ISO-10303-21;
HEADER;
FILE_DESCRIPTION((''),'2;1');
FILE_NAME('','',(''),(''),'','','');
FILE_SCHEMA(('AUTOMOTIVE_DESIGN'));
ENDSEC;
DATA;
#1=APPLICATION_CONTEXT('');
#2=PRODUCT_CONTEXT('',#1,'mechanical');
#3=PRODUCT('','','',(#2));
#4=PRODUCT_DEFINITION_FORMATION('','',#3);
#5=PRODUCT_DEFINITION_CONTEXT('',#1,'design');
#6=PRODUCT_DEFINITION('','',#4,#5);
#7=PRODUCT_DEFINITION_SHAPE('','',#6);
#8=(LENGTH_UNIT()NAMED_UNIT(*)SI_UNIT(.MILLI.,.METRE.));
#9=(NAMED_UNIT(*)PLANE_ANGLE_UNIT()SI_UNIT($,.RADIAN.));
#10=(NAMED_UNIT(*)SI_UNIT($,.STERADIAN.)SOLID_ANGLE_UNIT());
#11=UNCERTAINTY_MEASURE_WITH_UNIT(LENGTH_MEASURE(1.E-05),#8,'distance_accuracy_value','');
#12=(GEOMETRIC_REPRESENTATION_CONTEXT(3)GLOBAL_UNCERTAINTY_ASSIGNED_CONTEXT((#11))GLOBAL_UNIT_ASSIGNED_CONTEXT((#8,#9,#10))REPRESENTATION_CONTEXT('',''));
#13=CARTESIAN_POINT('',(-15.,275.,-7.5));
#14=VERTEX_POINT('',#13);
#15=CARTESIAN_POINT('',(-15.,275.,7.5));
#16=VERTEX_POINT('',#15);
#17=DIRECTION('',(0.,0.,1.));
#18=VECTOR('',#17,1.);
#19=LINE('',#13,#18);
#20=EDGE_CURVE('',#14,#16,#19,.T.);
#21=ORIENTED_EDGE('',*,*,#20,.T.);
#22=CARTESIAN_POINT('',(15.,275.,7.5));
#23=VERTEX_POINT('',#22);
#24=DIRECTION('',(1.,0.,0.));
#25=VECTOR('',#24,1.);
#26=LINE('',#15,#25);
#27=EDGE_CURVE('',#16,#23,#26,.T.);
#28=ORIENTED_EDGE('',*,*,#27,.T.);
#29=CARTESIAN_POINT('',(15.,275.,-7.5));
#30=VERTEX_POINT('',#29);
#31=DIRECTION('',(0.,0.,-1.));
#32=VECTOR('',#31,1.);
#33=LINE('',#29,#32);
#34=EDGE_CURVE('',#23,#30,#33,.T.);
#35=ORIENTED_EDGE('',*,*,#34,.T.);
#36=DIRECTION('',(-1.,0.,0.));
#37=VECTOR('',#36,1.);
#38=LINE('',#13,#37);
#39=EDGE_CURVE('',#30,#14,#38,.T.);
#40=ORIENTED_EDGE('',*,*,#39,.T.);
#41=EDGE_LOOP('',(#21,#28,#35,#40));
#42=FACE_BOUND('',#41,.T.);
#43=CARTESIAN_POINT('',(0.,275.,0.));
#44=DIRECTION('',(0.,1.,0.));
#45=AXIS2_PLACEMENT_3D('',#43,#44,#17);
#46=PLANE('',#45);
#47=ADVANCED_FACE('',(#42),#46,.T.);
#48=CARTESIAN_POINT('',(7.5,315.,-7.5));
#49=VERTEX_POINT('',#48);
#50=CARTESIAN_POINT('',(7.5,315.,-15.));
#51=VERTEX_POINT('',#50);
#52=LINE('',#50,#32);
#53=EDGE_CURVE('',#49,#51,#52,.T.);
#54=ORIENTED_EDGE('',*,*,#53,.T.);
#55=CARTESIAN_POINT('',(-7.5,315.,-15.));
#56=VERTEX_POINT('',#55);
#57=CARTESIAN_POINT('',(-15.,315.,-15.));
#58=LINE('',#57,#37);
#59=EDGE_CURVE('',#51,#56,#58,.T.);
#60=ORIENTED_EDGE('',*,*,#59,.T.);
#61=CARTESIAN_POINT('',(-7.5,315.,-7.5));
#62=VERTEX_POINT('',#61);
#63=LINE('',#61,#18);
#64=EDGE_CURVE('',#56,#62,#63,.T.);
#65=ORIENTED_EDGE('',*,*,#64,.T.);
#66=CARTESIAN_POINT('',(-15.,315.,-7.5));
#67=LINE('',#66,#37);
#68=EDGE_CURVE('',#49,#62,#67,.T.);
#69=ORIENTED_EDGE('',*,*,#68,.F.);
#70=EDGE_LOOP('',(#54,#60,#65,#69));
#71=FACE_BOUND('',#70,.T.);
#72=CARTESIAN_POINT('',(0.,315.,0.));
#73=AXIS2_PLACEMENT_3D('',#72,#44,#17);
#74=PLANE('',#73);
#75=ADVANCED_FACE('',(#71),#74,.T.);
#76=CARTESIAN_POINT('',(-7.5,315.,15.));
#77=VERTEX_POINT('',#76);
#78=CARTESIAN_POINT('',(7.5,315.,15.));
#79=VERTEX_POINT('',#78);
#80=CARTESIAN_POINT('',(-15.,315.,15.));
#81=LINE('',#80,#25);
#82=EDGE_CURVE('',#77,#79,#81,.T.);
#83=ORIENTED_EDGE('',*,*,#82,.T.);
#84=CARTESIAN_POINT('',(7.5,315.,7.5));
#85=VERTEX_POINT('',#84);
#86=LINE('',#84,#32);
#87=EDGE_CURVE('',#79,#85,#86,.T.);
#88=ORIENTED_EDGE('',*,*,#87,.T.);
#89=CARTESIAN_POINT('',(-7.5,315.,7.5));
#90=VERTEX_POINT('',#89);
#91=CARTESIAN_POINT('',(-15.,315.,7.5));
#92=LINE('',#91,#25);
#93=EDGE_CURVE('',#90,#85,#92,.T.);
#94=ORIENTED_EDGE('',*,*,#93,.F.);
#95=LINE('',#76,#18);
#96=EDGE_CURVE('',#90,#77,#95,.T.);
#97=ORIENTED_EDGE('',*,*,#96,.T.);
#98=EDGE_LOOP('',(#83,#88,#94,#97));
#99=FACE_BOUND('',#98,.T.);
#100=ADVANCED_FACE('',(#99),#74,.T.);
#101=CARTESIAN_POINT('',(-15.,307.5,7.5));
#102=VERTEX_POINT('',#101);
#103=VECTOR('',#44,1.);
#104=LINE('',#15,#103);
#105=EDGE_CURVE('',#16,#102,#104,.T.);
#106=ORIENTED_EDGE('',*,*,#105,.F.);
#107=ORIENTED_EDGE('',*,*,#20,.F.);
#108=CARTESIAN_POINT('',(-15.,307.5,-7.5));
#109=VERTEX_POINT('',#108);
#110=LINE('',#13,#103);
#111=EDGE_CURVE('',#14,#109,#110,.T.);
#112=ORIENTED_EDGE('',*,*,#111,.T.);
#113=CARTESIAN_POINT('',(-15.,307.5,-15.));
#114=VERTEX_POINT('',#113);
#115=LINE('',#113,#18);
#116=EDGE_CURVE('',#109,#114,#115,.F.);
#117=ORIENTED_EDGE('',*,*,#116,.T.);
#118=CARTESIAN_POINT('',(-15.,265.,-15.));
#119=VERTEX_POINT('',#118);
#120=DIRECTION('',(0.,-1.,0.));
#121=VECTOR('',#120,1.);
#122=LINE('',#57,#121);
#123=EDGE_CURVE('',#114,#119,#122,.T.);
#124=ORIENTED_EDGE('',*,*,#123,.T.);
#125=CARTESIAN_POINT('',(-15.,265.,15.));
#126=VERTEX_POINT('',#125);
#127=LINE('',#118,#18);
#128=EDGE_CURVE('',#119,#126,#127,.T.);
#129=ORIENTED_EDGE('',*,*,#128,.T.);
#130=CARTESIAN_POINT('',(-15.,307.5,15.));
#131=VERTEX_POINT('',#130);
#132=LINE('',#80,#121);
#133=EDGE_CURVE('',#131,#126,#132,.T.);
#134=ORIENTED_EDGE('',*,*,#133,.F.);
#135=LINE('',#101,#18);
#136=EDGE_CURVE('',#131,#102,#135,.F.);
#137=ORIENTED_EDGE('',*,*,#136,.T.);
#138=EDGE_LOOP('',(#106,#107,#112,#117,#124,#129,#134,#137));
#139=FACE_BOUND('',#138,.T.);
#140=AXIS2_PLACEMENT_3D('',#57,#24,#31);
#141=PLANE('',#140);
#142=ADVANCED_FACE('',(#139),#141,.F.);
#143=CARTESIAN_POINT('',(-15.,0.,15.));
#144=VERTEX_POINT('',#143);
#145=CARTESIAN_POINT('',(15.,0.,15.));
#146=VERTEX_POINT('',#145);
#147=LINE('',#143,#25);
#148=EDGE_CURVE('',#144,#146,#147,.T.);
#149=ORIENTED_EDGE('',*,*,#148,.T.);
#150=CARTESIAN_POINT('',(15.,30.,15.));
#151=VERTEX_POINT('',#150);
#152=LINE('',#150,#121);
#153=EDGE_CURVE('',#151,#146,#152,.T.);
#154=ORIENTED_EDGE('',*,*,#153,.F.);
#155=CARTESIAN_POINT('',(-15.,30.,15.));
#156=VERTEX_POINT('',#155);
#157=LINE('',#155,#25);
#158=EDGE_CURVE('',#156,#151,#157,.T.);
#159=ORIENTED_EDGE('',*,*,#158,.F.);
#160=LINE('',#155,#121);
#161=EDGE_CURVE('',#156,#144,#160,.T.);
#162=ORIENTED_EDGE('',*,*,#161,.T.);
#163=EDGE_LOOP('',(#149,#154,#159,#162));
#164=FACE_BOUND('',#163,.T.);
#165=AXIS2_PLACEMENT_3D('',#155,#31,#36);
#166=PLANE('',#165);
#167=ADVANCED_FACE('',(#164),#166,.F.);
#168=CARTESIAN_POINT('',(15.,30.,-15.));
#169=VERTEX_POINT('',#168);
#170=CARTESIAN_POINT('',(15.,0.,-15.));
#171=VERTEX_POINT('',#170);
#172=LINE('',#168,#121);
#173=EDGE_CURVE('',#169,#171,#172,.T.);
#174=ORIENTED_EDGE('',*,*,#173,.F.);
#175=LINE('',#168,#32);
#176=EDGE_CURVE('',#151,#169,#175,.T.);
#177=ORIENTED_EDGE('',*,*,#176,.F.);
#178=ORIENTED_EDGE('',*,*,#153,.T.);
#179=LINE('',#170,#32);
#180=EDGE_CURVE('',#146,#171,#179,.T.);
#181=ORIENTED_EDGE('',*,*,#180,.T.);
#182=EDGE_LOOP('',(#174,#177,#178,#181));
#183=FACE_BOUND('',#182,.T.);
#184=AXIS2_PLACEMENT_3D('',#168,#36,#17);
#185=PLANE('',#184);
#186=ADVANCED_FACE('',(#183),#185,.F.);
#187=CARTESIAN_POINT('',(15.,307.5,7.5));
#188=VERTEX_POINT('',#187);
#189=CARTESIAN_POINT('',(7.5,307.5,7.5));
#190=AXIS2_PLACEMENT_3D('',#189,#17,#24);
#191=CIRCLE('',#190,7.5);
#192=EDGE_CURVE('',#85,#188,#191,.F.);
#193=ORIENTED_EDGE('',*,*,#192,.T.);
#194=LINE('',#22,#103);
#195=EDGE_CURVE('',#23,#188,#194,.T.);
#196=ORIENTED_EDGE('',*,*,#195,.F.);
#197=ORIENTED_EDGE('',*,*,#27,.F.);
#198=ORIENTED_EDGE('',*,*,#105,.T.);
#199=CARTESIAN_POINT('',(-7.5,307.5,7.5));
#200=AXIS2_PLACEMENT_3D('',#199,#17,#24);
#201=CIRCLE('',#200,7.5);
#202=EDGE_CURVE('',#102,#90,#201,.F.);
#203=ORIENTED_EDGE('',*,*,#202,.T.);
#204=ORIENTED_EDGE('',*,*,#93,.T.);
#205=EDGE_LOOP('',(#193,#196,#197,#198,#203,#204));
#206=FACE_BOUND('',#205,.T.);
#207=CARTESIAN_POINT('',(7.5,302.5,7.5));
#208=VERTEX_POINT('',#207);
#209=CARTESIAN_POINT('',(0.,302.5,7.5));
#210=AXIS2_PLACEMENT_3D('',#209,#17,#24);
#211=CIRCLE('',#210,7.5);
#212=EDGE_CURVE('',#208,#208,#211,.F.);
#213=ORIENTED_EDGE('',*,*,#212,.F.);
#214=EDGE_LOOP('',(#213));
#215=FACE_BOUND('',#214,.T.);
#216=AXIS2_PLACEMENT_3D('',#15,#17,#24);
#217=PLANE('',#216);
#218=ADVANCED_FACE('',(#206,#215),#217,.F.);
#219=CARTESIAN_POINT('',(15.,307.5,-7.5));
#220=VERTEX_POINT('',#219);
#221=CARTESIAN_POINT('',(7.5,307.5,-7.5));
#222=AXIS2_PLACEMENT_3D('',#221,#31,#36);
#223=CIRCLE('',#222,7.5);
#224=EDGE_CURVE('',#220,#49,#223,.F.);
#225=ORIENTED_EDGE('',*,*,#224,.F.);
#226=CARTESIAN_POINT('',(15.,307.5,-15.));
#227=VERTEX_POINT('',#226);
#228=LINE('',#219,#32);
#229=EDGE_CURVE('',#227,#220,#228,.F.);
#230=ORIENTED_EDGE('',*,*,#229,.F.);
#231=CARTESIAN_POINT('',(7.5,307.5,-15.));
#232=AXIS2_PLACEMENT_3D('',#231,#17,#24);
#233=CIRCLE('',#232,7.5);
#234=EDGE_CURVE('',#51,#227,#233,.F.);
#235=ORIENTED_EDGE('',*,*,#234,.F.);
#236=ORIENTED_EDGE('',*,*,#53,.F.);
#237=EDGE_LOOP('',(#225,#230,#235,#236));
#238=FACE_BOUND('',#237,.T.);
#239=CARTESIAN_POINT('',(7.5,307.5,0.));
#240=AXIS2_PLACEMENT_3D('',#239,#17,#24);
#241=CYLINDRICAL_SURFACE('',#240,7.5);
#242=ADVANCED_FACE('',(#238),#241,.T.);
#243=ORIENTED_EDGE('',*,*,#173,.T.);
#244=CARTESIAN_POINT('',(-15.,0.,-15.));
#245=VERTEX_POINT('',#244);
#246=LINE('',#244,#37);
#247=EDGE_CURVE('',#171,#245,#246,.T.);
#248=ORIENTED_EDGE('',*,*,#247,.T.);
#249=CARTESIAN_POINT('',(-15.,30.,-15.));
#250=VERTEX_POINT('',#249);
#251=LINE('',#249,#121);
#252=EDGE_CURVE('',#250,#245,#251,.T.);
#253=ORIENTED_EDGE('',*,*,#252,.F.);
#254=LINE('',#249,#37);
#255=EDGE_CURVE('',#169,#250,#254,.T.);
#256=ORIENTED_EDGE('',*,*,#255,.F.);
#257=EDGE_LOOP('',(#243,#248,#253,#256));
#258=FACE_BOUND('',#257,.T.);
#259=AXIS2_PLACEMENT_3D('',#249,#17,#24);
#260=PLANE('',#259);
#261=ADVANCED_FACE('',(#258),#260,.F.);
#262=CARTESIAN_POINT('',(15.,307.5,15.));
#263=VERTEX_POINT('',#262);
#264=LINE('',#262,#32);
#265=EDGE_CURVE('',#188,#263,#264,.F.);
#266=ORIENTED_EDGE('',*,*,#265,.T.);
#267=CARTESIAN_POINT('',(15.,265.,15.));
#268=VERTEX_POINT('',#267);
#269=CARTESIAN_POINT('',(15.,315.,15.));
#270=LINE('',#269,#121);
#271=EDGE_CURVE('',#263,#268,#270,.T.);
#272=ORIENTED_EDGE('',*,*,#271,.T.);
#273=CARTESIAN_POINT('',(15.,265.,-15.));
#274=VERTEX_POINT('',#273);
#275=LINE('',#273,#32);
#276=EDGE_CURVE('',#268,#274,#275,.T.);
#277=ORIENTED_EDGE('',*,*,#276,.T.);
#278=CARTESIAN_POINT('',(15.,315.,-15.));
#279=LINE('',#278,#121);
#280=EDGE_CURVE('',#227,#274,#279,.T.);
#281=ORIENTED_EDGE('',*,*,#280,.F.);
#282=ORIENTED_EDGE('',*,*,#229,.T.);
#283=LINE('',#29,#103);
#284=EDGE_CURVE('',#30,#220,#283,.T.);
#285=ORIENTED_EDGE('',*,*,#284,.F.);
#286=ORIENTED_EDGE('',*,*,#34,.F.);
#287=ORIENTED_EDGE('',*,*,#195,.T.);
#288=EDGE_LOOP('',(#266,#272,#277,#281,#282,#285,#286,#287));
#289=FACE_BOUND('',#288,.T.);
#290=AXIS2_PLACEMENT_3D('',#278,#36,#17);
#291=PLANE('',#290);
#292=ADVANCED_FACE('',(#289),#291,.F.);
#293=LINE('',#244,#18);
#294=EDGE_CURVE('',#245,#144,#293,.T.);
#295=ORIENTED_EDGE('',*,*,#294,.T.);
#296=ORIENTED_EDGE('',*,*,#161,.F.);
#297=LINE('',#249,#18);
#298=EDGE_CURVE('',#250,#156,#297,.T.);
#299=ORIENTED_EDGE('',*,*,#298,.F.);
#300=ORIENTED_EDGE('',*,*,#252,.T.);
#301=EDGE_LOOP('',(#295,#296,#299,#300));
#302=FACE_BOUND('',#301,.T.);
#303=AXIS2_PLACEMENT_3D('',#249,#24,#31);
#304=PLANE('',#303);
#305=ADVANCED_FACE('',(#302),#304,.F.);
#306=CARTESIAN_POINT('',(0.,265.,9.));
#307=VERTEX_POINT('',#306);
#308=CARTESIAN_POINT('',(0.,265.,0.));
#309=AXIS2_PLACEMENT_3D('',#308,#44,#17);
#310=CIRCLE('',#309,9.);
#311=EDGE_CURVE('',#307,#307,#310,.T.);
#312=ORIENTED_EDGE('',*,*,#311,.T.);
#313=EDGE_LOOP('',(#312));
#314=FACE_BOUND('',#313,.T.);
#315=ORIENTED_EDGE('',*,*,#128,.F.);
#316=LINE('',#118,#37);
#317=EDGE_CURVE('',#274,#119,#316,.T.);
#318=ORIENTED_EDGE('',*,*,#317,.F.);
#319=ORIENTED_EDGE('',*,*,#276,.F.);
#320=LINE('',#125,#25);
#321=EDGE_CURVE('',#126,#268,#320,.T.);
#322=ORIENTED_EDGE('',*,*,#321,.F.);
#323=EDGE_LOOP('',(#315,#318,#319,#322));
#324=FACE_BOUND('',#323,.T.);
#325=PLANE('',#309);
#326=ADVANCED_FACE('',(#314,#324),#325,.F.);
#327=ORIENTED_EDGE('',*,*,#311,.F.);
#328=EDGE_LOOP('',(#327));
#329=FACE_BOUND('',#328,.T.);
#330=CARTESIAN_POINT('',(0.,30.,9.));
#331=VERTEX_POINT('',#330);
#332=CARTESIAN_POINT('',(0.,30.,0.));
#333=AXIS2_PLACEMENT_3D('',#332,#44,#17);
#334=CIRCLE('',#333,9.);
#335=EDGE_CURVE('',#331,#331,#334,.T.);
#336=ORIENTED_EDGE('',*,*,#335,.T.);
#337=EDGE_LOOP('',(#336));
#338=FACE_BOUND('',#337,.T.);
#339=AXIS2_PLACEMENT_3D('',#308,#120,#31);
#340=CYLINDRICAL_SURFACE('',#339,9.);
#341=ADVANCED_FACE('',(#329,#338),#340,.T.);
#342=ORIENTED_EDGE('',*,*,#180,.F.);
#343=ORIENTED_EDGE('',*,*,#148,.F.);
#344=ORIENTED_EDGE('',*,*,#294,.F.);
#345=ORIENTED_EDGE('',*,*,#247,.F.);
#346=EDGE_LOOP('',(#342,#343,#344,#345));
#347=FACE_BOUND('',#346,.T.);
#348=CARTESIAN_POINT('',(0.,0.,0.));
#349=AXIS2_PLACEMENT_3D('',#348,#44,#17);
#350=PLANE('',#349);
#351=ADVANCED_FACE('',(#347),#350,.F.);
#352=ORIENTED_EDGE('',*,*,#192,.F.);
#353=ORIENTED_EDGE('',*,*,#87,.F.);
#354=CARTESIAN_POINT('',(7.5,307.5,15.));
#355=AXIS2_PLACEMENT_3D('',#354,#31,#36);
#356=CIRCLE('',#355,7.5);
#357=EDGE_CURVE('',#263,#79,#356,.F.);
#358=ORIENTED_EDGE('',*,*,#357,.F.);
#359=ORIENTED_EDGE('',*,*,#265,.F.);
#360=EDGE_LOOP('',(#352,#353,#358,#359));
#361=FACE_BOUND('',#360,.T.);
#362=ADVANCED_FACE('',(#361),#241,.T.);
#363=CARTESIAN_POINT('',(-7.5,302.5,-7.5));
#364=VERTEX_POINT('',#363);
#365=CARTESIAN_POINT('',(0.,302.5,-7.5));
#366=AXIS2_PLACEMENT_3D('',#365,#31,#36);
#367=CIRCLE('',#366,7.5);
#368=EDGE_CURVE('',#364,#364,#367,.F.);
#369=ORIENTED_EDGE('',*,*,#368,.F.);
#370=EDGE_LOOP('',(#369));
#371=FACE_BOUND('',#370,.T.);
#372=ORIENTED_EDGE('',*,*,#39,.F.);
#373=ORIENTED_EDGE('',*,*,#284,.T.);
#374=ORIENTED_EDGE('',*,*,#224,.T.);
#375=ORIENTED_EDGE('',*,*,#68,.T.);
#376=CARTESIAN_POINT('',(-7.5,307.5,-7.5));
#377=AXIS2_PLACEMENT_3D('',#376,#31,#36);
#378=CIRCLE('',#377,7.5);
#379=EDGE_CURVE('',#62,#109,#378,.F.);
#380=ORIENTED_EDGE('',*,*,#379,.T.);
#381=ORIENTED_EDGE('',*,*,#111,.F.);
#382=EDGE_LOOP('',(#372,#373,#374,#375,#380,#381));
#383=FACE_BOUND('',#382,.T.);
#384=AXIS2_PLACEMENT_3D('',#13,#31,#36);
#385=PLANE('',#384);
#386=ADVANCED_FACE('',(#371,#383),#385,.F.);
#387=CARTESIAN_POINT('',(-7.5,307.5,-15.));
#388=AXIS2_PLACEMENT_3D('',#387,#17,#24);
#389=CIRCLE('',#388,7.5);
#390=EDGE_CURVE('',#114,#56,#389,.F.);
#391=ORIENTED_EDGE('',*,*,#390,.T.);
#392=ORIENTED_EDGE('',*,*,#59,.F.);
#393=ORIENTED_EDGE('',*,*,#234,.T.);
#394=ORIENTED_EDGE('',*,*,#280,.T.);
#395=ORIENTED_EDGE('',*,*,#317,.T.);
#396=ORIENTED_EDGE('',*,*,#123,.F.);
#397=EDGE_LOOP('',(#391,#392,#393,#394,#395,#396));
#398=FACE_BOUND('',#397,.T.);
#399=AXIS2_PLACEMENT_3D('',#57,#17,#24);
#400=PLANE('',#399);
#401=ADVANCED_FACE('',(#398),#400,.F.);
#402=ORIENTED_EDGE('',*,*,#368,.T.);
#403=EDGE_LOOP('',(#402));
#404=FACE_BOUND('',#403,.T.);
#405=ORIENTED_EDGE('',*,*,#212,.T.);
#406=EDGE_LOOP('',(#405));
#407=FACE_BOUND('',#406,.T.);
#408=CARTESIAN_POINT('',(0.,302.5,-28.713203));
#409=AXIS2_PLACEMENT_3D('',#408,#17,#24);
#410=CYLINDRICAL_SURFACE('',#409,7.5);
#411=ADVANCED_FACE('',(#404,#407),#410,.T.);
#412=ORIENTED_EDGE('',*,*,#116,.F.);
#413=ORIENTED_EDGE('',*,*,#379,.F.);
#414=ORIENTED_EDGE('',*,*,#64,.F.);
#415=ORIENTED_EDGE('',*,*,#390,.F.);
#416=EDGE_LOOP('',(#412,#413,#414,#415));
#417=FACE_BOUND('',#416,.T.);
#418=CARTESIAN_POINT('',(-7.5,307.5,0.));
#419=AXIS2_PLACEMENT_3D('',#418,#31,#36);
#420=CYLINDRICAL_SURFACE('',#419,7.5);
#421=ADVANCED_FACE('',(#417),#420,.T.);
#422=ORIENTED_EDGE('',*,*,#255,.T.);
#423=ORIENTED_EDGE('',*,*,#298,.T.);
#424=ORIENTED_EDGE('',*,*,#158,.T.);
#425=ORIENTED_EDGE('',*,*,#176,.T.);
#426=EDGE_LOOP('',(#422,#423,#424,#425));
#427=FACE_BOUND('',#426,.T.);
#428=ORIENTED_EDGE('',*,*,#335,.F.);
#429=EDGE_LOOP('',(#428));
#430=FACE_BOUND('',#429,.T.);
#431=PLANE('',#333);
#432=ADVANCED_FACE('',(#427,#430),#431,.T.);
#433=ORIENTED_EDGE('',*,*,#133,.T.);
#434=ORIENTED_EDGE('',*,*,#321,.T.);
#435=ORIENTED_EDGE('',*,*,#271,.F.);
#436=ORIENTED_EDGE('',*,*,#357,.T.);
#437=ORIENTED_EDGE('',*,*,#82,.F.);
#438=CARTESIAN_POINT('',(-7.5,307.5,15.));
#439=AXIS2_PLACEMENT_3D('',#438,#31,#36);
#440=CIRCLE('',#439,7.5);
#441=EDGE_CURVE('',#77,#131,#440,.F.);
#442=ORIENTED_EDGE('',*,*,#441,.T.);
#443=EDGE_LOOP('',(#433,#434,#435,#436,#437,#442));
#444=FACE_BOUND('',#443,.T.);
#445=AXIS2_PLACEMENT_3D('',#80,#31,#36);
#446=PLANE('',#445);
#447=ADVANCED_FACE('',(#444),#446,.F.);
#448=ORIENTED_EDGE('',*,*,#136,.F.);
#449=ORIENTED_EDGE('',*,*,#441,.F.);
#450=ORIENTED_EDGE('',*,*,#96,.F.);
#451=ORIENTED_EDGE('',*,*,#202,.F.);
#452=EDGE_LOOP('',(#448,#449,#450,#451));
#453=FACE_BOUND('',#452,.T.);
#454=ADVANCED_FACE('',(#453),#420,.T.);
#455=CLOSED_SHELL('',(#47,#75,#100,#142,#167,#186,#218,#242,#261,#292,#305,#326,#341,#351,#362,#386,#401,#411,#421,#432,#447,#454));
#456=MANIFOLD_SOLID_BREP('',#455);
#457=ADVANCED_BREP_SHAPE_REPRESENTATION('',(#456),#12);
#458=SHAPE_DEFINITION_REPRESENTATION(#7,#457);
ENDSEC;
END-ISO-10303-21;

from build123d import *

# Parameters (mm, degrees)
SKETCH1_W           = 30
SKETCH1_H           = 30
BOSS_EXTRUDE1_DEPTH = 30
SKETCH2_R           = 9
BOSS_EXTRUDE2_DEPTH = 235
SKETCH3_W           = 30
SKETCH3_H           = 30
BOSS_EXTRUDE3_DEPTH = 50
SKETCH4_W           = 30
SKETCH4_H           = 15
CUT_EXTRUDE1_DEPTH  = 40
SKETCH5_R           = 7.5
BOSS_EXTRUDE4_DEPTH = 15
FILLET1_R           = 7.5


with BuildPart() as part:
    # Sketch1 → Boss-Extrude1 (new body)
    with BuildSketch(Plane(origin=(0, 0, 0), x_dir=(1, 0, 0), z_dir=(0, 1, 0))):
        Rectangle(SKETCH1_W, SKETCH1_H)
    extrude(amount=BOSS_EXTRUDE1_DEPTH)

    # Sketch2 → Boss-Extrude2 (add)
    with BuildSketch(Plane(origin=(0, 30, 0), x_dir=(1, 0, 0), z_dir=(0, 1, 0))):
        Circle(SKETCH2_R)
    extrude(amount=BOSS_EXTRUDE2_DEPTH)

    # Sketch3 → Boss-Extrude3 (add)
    with BuildSketch(Plane(origin=(0, 265, 0), x_dir=(1, 0, 0), z_dir=(0, 1, 0))):
        Rectangle(SKETCH3_W, SKETCH3_H)
    extrude(amount=BOSS_EXTRUDE3_DEPTH)

    # Sketch4 → Cut-Extrude1 (cut)
    with BuildSketch(Plane(origin=(0, 315, 0), x_dir=(1, 0, 0), z_dir=(0, 1, 0))):
        Rectangle(SKETCH4_W, SKETCH4_H)
    extrude(amount=-CUT_EXTRUDE1_DEPTH, mode=Mode.SUBTRACT)

    # Sketch5 → Boss-Extrude4 (add)
    with BuildSketch(Plane(origin=(0, 0, 7.5), x_dir=(-1, 0, 0), z_dir=(0, 0, -1))):
        with Locations((0, 302.5)):
            Circle(SKETCH5_R)
    extrude(amount=BOSS_EXTRUDE4_DEPTH)

    # Fillet1
    fillet1_edges = [part.edges().sort_by_distance(p)[0] for p in [
        (15, 315, 11.25),
        (-15, 315, -11.25),
        (15, 315, -11.25),
        (-15, 315, 11.25),
    ]]
    fillet(fillet1_edges, radius=FILLET1_R)


solid = part.part
